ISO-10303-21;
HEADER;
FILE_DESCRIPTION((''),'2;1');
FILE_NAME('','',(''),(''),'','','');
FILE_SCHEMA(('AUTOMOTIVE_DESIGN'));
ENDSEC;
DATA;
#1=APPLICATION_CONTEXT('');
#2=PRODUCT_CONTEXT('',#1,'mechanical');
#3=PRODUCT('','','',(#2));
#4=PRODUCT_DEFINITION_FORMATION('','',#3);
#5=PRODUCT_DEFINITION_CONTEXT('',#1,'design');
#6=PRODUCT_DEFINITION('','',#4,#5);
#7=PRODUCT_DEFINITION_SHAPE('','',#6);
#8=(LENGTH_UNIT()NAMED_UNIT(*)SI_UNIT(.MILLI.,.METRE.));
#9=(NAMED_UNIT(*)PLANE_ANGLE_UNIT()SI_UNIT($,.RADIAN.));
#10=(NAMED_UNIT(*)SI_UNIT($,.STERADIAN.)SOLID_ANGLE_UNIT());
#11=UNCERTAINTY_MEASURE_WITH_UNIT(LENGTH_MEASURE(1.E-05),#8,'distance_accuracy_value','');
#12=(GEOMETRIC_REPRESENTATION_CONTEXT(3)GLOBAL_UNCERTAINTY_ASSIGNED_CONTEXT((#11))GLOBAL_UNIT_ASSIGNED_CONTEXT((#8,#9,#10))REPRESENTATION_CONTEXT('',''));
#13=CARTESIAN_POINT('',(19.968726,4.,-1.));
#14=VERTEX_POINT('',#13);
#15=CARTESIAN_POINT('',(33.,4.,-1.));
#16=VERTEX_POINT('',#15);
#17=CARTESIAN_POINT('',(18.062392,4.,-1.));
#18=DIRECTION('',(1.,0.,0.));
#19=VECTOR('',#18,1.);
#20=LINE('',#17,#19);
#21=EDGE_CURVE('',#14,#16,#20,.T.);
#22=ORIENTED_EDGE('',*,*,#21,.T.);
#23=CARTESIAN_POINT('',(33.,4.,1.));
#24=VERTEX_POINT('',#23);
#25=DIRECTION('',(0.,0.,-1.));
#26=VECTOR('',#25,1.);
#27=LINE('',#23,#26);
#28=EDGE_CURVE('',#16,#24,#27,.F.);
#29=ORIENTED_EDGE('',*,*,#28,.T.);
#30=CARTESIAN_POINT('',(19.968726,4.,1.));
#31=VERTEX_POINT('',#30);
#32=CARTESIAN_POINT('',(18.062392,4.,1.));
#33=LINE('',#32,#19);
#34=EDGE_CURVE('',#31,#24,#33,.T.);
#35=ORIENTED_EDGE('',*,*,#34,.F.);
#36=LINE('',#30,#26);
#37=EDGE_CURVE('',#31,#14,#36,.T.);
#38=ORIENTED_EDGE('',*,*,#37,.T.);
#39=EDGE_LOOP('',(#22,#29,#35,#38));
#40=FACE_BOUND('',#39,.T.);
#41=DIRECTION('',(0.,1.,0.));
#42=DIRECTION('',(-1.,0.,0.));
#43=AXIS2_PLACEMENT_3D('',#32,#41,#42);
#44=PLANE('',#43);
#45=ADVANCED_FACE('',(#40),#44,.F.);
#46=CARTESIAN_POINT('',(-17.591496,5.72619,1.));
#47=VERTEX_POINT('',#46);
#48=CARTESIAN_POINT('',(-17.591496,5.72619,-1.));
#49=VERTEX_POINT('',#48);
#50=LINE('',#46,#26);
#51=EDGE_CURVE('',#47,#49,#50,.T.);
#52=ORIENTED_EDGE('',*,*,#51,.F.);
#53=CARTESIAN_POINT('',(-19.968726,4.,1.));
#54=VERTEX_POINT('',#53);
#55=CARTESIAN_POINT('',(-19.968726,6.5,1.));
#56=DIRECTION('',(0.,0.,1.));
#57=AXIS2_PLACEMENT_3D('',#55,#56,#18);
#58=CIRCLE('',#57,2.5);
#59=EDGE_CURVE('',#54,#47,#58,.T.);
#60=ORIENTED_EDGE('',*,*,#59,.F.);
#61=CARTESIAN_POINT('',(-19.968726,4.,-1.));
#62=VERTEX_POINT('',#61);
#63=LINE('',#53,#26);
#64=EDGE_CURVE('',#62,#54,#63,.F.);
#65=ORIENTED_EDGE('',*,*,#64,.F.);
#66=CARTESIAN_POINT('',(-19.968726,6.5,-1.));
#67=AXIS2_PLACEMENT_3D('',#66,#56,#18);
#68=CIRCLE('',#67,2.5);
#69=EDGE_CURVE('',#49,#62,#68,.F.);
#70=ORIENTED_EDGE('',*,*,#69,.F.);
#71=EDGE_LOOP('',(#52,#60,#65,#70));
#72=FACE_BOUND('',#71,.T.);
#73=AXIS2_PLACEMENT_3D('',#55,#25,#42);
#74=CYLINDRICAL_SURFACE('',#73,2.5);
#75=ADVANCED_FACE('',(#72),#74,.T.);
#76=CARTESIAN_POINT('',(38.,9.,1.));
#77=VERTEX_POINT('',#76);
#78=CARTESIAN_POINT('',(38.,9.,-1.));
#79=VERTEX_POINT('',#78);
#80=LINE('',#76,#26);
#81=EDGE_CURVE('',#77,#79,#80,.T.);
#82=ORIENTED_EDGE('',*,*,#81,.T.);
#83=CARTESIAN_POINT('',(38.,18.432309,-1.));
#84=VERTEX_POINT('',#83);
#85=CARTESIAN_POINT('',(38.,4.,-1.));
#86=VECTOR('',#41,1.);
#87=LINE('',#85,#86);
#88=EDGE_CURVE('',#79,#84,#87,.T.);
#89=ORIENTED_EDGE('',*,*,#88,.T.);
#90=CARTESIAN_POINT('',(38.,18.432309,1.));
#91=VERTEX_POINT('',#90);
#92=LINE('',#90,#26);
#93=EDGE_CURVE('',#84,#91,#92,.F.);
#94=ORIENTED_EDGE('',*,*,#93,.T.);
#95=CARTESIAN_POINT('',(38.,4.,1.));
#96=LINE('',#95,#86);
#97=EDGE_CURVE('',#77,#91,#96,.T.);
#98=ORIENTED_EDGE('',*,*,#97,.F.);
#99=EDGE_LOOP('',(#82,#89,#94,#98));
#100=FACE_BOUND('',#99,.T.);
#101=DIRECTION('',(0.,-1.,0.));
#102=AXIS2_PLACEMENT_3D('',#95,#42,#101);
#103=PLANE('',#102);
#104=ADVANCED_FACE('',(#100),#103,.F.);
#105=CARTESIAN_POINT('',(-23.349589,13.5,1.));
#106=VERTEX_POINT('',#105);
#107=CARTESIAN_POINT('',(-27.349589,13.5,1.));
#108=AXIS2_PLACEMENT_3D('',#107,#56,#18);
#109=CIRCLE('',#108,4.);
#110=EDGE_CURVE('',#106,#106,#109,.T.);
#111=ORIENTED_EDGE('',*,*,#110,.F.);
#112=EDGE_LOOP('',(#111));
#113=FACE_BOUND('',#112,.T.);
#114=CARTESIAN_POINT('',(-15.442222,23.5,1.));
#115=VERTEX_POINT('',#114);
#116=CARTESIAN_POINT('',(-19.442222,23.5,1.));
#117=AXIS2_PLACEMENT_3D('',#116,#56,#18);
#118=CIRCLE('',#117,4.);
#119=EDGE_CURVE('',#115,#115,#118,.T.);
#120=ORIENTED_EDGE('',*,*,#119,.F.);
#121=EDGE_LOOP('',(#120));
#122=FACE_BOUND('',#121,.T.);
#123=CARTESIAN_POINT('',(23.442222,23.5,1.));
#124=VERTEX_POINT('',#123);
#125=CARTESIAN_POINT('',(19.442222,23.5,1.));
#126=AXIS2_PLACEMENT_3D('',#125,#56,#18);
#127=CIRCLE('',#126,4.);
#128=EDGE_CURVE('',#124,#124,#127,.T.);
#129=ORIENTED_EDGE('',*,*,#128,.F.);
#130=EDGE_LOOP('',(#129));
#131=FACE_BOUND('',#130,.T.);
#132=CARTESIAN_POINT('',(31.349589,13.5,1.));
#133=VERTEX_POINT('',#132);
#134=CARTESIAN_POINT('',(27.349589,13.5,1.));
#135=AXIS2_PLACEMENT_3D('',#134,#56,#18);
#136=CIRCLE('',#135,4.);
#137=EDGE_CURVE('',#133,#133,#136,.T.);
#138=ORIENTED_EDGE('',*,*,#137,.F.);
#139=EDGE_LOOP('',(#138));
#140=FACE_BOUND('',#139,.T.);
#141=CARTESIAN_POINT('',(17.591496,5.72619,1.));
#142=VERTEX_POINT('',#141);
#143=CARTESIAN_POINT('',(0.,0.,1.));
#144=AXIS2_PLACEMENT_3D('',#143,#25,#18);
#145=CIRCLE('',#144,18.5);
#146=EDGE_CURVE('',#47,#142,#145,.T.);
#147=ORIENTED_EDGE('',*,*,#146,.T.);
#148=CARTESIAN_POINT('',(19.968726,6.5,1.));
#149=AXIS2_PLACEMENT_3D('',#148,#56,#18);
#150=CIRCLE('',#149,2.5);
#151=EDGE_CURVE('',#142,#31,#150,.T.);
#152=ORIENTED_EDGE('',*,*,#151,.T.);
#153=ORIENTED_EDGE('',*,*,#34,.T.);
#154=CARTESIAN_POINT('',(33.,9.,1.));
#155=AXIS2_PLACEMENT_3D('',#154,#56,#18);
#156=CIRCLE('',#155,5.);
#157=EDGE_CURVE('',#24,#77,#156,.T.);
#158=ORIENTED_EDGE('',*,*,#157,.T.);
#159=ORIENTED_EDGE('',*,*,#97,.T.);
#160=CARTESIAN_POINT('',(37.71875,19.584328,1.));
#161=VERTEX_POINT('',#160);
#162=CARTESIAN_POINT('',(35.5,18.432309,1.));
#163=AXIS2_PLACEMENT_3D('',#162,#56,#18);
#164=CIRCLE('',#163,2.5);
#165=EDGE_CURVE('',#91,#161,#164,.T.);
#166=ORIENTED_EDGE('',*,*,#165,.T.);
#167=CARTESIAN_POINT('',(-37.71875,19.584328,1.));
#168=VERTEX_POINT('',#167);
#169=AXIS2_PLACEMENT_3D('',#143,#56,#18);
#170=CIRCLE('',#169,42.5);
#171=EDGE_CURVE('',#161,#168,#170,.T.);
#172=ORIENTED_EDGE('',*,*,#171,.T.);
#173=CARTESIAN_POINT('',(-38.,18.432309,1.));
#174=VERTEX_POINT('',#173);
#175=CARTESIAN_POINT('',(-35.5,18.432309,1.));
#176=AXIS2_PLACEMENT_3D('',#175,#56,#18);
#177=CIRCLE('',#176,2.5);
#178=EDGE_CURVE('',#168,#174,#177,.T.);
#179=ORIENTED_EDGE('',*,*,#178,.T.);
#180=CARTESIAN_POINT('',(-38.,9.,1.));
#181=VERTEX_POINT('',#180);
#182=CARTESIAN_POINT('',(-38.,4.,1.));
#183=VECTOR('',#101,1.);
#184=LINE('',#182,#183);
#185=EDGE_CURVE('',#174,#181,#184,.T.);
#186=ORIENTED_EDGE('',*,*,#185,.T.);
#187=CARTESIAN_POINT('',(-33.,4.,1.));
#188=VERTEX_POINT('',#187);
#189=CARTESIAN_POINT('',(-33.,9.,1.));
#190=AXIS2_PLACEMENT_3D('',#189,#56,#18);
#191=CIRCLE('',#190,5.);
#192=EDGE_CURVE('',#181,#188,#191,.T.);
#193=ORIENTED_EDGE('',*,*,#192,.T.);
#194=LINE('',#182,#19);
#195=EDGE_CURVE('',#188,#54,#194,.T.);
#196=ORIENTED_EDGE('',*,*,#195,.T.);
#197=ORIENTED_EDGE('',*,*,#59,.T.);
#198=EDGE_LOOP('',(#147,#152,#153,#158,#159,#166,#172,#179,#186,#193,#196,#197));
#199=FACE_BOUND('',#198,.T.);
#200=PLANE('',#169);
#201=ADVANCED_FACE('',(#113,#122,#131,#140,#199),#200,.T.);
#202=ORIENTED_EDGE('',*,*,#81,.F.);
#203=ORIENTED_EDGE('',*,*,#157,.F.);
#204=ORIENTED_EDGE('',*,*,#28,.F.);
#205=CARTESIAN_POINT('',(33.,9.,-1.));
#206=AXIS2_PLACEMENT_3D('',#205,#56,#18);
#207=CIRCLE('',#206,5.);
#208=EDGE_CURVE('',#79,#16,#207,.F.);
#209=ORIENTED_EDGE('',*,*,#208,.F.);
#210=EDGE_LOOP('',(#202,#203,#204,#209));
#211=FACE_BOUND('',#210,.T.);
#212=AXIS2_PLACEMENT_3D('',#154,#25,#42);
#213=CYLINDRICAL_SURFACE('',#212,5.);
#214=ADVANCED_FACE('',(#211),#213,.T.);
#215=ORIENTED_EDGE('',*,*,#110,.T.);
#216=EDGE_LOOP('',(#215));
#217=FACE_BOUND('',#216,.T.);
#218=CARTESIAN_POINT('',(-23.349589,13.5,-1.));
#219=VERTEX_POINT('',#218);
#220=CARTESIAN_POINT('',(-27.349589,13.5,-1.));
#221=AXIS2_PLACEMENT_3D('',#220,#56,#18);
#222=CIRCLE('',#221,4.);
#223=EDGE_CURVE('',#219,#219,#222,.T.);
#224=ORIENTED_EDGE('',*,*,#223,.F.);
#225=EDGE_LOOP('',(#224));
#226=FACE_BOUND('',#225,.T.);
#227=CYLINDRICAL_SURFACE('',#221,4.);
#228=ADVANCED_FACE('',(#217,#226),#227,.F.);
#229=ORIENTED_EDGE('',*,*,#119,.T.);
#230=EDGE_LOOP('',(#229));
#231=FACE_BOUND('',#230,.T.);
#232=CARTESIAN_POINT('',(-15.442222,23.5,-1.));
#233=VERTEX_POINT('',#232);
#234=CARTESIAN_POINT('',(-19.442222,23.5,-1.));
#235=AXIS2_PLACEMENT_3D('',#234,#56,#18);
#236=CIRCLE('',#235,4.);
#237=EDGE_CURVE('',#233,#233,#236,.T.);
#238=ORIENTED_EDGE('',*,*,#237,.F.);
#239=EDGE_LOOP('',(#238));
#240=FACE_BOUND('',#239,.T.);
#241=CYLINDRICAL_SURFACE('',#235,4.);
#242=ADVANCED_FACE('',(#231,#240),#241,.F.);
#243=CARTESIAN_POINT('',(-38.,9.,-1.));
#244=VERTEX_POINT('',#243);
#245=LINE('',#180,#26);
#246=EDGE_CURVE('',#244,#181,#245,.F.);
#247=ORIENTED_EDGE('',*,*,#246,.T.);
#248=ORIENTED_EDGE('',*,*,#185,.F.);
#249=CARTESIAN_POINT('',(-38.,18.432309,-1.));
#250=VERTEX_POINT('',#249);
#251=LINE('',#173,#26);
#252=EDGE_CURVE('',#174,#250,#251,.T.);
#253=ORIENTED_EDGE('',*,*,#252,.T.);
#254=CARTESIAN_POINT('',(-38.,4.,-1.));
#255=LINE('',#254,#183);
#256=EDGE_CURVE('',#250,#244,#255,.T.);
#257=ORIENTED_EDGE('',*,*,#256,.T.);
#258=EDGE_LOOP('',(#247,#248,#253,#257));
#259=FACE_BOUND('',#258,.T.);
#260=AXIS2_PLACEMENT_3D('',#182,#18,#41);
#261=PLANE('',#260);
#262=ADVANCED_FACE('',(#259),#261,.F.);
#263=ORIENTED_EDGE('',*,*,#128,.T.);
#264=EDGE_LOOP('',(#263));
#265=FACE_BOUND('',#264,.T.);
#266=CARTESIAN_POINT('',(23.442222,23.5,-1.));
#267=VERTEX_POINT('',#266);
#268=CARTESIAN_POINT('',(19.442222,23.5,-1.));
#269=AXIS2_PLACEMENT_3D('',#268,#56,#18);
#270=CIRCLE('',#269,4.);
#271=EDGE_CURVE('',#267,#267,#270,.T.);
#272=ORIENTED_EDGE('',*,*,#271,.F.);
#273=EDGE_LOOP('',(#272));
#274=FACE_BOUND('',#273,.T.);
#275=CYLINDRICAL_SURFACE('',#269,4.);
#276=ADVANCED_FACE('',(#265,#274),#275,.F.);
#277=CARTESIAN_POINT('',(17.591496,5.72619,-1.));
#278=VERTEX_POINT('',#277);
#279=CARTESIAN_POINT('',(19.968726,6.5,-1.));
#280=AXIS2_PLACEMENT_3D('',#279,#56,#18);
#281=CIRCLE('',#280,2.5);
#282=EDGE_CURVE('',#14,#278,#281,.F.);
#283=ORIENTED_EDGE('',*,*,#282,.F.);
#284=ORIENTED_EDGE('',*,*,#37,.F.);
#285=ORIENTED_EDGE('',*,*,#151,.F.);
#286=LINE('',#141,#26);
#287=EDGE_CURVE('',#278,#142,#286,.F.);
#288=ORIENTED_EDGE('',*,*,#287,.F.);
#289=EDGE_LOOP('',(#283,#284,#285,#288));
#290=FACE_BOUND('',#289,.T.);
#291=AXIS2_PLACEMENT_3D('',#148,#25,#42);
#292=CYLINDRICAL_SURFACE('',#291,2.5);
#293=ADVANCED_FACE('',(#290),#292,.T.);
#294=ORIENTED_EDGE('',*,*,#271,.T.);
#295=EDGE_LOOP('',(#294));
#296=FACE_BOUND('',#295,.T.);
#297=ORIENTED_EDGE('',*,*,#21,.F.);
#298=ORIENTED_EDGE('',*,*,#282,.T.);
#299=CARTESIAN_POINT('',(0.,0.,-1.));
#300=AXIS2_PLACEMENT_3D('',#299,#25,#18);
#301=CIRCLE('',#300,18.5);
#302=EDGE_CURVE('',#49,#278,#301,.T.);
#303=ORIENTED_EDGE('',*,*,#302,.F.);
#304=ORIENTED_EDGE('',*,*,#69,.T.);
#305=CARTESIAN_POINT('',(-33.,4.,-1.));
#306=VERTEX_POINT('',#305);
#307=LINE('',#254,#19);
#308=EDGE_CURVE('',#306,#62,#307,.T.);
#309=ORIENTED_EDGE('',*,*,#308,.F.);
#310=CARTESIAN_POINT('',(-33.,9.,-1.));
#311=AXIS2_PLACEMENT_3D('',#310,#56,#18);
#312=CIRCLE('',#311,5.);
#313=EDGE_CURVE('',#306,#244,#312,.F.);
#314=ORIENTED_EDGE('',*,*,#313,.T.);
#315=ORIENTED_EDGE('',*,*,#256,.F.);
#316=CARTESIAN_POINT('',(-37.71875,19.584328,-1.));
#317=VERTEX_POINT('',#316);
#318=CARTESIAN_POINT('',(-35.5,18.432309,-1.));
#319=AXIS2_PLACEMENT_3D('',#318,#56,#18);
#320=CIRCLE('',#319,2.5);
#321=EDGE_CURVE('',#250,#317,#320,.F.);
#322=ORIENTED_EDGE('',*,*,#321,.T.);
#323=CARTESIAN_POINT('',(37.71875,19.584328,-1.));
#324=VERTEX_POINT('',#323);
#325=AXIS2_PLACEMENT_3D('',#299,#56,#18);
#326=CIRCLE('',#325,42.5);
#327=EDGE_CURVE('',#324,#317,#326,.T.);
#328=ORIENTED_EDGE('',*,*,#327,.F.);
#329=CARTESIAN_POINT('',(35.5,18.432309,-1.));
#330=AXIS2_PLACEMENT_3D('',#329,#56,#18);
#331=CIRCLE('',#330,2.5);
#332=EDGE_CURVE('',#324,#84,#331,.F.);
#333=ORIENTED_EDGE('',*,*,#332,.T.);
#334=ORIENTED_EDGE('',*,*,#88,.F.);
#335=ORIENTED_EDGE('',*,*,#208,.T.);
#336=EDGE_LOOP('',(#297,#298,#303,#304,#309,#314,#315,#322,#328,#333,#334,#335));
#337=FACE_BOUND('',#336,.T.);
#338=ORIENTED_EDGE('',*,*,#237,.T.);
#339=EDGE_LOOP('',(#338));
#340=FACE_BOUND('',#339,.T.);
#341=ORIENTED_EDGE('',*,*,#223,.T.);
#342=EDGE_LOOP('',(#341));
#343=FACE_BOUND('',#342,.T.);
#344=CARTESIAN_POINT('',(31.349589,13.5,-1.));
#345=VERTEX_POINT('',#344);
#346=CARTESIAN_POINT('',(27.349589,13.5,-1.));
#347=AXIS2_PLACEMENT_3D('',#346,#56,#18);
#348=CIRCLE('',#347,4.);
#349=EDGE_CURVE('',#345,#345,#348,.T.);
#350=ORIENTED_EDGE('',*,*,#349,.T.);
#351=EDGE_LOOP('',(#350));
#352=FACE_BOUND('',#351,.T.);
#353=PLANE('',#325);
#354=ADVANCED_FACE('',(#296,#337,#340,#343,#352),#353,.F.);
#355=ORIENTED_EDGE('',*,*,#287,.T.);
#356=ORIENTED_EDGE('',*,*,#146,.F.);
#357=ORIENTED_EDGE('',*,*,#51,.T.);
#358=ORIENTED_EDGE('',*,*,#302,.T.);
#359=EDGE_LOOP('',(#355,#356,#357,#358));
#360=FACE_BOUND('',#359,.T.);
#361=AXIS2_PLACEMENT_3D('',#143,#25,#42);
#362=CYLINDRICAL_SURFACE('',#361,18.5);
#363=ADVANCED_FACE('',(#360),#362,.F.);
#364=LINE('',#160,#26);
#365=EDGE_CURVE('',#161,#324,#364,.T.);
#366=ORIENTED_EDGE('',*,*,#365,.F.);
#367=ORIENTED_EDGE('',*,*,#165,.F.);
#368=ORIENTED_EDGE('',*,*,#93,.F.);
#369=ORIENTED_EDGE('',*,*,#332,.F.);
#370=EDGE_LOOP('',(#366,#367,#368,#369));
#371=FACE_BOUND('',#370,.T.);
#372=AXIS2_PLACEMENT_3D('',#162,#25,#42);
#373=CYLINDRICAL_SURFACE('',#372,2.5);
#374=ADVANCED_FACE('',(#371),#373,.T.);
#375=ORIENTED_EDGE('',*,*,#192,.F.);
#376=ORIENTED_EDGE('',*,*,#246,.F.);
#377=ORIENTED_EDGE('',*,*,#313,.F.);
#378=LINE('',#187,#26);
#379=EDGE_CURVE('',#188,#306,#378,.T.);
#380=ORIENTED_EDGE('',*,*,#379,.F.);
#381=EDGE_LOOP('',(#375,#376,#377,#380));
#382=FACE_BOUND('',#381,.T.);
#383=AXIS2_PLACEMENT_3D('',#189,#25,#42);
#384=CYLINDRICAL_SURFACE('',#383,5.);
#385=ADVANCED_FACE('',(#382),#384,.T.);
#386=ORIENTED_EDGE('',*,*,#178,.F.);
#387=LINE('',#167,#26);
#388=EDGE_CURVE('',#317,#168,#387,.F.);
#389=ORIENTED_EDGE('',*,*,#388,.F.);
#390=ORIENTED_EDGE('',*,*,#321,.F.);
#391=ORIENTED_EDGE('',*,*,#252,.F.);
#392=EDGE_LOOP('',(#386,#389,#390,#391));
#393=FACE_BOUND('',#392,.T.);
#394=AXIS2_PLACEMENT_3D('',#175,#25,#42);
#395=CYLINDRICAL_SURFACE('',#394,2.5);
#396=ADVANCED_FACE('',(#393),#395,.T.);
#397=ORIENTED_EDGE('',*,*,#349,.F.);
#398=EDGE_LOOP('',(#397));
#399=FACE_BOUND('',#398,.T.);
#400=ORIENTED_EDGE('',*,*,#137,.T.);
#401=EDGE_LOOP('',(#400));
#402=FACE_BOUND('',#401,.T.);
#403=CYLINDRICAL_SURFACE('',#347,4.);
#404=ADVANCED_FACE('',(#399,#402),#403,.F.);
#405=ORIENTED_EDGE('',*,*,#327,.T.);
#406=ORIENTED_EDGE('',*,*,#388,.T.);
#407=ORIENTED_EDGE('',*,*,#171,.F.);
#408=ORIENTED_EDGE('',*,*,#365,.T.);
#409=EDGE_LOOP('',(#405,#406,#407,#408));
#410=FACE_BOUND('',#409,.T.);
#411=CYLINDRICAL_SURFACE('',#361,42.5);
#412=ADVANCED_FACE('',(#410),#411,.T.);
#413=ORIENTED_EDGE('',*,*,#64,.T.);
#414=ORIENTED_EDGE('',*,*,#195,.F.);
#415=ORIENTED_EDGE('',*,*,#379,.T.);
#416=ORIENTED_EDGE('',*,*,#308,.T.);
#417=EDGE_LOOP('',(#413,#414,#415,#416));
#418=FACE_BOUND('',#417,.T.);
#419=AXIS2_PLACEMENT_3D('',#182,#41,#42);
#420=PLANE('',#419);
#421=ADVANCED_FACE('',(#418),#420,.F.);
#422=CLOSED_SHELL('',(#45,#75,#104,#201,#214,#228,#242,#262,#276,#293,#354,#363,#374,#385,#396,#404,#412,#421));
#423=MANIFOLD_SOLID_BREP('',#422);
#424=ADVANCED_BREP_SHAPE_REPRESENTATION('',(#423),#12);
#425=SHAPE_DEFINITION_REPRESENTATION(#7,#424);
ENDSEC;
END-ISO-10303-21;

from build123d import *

# Parameters (mm, degrees)
BOSS_EXTRUDE1_DEPTH = 1
SKETCH2_R           = 4
CUT_EXTRUDE1_DEPTH  = 58.046034043
FILLET1_R           = 5
FILLET2_R           = 2.5


with BuildPart() as part:
    # Sketch1 → Boss-Extrude1 (new, symmetric)
    with BuildSketch(Plane.XY):
        with BuildLine():
            Line((-38, 4), (-18.062391868, 4))
            ThreePointArc((-18.062391868, 4), (0, 18.5), (18.062391868, 4))
            Line((18.062391868, 4), (38, 4))
            Line((38, 4), (38, 19.032866311))
            ThreePointArc((38, 19.032866311), (0, 42.5), (-38, 19.032866311))
            Line((-38, 19.032866311), (-38, 4))
        make_face()
    extrude(amount=BOSS_EXTRUDE1_DEPTH, both=True)

    # Sketch2 → Cut-Extrude1 (cut, through all)
    with BuildSketch(Plane.XY.offset(1)):
        with Locations((-27.349588662, 13.5)):
            Circle(SKETCH2_R)
        with Locations((-19.442222095, 23.5)):
            Circle(SKETCH2_R)
        with Locations((19.442222095, 23.5)):
            Circle(SKETCH2_R)
        with Locations((27.349588662, 13.5)):
            Circle(SKETCH2_R)
    extrude(amount=-CUT_EXTRUDE1_DEPTH, mode=Mode.SUBTRACT)

    # Fillet1
    fillet1_edges = [part.edges().sort_by_distance(p)[0] for p in [
        (38, 4, 0),
        (-38, 4, 0),
    ]]
    fillet(fillet1_edges, radius=FILLET1_R)

    # Fillet2
    fillet2_edges = [part.edges().sort_by_distance(p)[0] for p in [
        (-38, 19.032866311, 0),
        (38, 19.032866311, 0),
        (18.062391868, 4, 0),
        (-18.062391868, 4, 0),
    ]]
    fillet(fillet2_edges, radius=FILLET2_R)


solid = part.part
